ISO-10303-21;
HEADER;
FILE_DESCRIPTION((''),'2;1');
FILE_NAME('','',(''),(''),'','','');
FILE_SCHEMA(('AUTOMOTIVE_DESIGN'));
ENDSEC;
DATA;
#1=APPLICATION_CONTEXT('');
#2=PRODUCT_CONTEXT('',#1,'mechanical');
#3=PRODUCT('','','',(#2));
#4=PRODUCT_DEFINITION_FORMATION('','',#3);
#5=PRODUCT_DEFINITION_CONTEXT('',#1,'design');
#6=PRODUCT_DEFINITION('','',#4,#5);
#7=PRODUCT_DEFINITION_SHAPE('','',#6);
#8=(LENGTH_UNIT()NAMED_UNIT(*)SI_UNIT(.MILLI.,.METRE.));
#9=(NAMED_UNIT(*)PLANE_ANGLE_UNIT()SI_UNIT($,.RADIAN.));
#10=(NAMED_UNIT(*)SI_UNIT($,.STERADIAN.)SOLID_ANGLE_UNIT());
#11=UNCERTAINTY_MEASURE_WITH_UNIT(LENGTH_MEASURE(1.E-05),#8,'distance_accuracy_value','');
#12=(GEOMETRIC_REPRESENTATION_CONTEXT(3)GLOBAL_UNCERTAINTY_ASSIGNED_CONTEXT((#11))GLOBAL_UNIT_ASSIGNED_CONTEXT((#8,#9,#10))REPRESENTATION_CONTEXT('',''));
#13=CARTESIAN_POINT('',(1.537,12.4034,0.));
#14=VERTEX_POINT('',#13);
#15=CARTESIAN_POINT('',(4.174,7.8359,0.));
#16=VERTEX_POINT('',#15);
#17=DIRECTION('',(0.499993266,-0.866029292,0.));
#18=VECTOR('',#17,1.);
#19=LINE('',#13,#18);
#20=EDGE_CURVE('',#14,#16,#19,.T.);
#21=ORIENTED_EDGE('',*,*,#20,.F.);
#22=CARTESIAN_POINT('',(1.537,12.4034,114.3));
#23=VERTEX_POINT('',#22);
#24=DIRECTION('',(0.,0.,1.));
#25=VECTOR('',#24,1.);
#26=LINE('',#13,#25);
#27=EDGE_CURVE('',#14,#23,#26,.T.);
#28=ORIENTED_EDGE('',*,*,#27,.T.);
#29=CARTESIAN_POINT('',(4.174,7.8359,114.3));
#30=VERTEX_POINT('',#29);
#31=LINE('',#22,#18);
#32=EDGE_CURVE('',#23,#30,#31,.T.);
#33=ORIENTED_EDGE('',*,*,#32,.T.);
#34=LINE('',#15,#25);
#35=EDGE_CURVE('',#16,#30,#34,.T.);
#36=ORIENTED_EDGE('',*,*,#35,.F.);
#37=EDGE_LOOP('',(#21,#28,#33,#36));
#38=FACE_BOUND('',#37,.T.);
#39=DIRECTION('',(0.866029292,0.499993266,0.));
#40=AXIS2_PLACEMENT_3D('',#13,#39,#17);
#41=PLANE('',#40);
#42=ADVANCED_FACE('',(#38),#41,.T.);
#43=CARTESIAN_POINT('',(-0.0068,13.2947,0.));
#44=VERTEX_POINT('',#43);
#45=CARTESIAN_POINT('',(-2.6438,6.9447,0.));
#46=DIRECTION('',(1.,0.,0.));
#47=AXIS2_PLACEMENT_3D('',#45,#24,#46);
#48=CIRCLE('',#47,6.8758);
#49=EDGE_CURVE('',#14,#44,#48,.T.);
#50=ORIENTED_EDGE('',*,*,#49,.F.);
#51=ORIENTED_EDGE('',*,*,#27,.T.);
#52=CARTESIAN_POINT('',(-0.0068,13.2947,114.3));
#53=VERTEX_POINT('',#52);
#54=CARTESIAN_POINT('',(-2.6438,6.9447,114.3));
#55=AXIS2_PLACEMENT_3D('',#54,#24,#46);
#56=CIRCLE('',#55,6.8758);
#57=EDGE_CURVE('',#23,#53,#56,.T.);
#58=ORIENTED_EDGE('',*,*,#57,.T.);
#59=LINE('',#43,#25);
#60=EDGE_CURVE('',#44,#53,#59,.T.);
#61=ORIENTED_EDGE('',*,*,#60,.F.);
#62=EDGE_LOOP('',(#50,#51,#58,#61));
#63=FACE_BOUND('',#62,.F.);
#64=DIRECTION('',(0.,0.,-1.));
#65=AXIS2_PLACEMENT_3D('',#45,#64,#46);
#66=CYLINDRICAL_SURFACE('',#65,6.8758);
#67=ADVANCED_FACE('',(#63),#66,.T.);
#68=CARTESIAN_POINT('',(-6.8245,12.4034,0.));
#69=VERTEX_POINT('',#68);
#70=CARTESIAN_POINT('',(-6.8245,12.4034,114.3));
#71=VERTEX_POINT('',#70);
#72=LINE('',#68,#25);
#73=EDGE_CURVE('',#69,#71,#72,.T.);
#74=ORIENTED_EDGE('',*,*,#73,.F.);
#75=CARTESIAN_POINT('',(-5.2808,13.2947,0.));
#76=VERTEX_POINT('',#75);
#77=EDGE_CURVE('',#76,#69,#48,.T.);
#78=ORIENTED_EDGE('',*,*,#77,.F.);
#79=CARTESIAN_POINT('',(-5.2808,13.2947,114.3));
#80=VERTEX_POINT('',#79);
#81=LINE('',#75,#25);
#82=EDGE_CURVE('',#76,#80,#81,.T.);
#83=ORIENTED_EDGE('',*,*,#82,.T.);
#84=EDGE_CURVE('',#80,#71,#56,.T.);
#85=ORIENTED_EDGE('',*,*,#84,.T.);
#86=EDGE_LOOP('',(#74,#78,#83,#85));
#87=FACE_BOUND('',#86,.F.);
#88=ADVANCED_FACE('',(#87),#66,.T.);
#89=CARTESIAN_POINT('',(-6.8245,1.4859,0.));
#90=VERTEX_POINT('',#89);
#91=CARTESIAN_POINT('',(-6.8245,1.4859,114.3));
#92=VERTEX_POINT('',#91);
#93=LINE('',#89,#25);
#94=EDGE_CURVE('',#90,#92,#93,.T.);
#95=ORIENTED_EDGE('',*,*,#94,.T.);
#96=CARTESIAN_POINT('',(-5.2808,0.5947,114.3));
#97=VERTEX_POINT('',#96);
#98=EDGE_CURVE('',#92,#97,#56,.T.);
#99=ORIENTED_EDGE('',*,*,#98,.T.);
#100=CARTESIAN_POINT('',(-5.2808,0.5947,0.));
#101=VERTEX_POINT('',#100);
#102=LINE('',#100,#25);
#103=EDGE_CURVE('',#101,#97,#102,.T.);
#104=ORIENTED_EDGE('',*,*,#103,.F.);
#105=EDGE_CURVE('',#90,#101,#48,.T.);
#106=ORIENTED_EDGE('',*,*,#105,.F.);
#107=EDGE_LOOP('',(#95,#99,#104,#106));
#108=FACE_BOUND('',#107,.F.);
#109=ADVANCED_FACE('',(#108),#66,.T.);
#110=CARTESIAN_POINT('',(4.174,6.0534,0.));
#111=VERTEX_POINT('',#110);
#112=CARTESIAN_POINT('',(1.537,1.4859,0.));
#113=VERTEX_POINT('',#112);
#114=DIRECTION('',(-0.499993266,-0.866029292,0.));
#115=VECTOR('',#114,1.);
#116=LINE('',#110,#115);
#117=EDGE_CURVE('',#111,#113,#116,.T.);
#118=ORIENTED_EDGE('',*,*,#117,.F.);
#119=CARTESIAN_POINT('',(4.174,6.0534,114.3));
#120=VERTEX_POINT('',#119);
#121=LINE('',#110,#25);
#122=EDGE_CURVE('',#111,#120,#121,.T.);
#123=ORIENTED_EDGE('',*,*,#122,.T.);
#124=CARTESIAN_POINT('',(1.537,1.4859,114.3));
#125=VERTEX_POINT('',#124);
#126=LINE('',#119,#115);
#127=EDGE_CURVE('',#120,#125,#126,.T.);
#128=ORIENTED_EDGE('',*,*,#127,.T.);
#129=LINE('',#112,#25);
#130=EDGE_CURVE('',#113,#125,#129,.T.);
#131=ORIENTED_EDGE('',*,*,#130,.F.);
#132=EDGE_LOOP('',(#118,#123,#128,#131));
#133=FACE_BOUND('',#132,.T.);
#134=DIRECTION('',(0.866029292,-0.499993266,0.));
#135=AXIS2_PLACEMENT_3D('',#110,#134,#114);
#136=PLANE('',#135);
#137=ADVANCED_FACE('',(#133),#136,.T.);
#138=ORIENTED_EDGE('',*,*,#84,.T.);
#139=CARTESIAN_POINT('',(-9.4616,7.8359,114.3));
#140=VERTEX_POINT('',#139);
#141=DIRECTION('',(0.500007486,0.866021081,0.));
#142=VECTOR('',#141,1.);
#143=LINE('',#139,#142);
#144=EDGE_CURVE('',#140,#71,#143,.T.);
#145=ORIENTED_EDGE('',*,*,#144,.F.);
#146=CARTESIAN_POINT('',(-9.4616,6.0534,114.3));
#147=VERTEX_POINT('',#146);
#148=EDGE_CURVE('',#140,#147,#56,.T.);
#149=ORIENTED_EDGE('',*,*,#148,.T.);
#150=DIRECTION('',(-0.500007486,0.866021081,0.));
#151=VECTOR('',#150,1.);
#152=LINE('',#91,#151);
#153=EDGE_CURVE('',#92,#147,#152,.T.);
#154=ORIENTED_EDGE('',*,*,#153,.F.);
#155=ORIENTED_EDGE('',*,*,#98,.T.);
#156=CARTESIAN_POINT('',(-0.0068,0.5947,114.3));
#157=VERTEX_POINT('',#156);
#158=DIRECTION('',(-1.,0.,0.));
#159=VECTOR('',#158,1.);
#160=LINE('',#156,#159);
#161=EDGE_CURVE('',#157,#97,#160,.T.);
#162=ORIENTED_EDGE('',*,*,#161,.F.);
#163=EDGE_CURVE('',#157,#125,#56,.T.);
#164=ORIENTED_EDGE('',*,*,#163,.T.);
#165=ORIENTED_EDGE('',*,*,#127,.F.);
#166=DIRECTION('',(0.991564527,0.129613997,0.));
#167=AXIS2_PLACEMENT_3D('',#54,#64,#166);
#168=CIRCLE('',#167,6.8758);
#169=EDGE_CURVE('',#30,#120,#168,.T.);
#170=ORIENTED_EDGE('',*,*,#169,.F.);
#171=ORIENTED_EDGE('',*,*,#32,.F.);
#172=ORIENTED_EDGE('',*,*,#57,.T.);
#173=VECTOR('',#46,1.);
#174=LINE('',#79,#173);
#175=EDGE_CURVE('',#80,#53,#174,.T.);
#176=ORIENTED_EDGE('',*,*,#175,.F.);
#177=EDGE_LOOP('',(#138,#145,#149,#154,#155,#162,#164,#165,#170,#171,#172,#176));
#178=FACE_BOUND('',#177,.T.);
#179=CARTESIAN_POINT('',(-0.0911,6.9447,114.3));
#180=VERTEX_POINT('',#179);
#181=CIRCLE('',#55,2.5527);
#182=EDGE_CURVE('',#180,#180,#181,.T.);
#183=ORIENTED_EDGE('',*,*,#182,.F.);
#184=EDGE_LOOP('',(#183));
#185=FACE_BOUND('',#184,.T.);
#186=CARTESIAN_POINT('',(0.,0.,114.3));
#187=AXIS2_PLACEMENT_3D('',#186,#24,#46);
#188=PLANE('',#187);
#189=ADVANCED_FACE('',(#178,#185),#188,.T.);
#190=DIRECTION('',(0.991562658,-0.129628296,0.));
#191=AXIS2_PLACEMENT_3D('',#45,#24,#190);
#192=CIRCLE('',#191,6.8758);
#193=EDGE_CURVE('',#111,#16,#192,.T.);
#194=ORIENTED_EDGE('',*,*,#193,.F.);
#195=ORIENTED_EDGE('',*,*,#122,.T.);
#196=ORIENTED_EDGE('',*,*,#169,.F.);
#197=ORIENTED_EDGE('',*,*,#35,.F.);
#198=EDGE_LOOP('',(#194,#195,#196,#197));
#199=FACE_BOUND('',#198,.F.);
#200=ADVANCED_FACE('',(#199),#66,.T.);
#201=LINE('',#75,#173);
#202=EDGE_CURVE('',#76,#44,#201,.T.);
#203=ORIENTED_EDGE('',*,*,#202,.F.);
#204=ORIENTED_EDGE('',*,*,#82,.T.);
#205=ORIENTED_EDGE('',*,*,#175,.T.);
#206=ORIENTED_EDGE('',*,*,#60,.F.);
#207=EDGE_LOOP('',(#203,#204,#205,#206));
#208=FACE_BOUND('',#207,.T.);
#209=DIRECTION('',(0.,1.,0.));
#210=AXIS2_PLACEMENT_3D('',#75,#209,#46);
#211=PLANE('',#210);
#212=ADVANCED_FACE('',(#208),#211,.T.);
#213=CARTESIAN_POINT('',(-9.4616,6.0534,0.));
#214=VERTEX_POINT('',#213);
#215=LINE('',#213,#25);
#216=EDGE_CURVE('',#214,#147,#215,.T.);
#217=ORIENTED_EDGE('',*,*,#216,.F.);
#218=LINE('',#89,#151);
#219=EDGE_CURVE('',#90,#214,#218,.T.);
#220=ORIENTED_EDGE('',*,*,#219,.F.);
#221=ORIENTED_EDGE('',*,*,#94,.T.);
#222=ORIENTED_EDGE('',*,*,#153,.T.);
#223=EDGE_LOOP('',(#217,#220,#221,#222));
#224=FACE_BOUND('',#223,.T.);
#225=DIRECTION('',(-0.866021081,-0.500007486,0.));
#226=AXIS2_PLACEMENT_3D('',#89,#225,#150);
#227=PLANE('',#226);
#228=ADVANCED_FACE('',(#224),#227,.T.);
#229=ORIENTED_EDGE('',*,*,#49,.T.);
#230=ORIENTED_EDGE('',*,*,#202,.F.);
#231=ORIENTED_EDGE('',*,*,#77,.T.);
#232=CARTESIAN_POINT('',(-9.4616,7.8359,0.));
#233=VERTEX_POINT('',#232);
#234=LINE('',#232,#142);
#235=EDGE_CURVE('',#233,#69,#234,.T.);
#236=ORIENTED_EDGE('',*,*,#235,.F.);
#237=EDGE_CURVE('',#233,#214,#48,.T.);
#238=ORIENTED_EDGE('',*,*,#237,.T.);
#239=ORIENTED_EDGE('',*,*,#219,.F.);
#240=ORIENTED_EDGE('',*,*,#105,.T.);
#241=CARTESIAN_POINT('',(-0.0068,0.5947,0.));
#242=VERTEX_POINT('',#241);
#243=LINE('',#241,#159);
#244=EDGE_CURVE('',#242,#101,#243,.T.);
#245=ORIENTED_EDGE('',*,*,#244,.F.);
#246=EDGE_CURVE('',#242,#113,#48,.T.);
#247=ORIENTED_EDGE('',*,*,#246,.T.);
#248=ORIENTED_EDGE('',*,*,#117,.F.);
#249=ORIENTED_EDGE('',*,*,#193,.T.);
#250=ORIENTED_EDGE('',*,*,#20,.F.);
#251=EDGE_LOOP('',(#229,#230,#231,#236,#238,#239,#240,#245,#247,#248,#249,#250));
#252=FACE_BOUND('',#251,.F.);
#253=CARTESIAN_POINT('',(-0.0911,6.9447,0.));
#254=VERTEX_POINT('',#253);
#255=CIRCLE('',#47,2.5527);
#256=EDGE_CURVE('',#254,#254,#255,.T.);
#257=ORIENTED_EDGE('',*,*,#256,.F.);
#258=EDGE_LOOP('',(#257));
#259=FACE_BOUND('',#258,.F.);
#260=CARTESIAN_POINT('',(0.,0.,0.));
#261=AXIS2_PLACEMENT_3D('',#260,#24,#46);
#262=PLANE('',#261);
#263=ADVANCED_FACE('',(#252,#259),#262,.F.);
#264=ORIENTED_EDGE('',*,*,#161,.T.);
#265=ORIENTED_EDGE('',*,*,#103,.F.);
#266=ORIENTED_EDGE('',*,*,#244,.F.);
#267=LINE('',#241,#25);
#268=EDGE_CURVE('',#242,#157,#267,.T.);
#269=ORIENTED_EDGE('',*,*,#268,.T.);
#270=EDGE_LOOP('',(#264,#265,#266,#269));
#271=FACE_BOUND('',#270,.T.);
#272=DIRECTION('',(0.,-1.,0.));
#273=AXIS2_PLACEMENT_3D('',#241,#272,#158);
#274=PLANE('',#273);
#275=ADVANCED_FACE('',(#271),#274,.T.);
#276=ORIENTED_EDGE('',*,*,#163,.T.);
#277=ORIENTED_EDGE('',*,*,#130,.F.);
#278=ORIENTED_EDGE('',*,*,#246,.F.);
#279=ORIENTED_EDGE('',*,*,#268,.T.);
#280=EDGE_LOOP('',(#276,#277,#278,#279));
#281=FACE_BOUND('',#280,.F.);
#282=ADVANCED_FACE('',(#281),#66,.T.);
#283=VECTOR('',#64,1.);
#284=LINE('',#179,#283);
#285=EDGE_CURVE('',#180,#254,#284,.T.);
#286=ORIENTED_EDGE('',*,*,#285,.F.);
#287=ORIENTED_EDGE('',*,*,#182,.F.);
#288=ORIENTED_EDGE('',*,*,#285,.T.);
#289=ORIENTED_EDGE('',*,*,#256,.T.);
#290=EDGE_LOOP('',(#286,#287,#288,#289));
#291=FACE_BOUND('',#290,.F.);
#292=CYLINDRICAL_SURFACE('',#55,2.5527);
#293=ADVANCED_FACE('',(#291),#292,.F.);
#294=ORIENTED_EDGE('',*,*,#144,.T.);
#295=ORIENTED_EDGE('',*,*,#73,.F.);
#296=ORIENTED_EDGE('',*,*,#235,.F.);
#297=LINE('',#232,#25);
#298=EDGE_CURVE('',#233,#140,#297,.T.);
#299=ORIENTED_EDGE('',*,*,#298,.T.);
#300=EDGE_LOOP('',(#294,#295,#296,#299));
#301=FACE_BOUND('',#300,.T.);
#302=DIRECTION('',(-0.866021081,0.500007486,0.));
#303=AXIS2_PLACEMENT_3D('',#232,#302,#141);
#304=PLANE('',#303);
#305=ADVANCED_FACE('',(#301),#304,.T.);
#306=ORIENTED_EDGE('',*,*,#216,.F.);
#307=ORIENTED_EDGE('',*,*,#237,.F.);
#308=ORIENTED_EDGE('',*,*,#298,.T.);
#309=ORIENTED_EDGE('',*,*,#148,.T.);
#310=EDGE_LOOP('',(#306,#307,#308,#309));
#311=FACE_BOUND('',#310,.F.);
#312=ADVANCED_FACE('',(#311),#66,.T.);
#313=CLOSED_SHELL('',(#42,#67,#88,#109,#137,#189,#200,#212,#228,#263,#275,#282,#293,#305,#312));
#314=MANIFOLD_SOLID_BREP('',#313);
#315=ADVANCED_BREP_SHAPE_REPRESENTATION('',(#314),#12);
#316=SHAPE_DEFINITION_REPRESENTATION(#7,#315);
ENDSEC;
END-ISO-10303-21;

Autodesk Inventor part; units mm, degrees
ref_plane "YZ Plane" through (0, 0, 0) normal (1, 0, 0) x (0, 1, 0)
ref_plane "XZ Plane" through (0, 0, 0) normal (0, 1, 0) x (-1, 0, 0)
ref_plane "XY Plane" through (0, 0, 0) normal (0, 0, 1) x (1, 0, 0)
sketch "Sketch1" plane through (0, 0, 0) normal (0, 0, 1) x (1, 0, 0)
  circle A0 centre (-2.6438, 6.9447) radius 6.8758
  line L0 (-9.4616, 7.8359) -> (-6.8245, 12.4034)
  line L1 (-6.8245, 1.4859) -> (-9.4616, 6.0534)
  line L2 (-0.0068, 0.5947) -> (-5.2808, 0.5947)
  line L3 (4.174, 6.0534) -> (1.537, 1.4859)
  line L4 (1.537, 12.4034) -> (4.174, 7.8359)
  line L5 (-5.2808, 13.2947) -> (-0.0068, 13.2947)
  point P0 (0, 0)
  point P1 (1.537, 1.4859)
  dimension "d0" = 13.7516
  dimension "d4" = 360
extrude "Extrusion1" add sketch "Sketch1" along normal blind 114.3 contours A0 L3 L2 L1 L0 L5 L4
sketch "Sketch2" plane through (0, 0, 114.3) normal (0, 0, 1) x (1, 0, 0)
  circle A0 centre (-2.6438, 6.9447) radius 2.5527
  line L0 (-5.2808, 0.5947) -> (-0.0068, 0.5947) projected
  line L1 (-2.6438, 6.9447) -> (-5.2808, 0.5947) construction
  line L2 (-2.6438, 6.9447) -> (-0.0068, 0.5947) construction
  point P0 (0, 0)
  dimension "d8" = 5.1054
  dimension "d9" = 6.35
extrude "Extrusion2" cut sketch "Sketch2" against normal blind 114.3
equation "\"d6\" = d5"
equation "\"d10\" = d5"
equation "\"d5\" = 114.3"
properties part number "PivotShaft2" material "Aluminum 6061"
